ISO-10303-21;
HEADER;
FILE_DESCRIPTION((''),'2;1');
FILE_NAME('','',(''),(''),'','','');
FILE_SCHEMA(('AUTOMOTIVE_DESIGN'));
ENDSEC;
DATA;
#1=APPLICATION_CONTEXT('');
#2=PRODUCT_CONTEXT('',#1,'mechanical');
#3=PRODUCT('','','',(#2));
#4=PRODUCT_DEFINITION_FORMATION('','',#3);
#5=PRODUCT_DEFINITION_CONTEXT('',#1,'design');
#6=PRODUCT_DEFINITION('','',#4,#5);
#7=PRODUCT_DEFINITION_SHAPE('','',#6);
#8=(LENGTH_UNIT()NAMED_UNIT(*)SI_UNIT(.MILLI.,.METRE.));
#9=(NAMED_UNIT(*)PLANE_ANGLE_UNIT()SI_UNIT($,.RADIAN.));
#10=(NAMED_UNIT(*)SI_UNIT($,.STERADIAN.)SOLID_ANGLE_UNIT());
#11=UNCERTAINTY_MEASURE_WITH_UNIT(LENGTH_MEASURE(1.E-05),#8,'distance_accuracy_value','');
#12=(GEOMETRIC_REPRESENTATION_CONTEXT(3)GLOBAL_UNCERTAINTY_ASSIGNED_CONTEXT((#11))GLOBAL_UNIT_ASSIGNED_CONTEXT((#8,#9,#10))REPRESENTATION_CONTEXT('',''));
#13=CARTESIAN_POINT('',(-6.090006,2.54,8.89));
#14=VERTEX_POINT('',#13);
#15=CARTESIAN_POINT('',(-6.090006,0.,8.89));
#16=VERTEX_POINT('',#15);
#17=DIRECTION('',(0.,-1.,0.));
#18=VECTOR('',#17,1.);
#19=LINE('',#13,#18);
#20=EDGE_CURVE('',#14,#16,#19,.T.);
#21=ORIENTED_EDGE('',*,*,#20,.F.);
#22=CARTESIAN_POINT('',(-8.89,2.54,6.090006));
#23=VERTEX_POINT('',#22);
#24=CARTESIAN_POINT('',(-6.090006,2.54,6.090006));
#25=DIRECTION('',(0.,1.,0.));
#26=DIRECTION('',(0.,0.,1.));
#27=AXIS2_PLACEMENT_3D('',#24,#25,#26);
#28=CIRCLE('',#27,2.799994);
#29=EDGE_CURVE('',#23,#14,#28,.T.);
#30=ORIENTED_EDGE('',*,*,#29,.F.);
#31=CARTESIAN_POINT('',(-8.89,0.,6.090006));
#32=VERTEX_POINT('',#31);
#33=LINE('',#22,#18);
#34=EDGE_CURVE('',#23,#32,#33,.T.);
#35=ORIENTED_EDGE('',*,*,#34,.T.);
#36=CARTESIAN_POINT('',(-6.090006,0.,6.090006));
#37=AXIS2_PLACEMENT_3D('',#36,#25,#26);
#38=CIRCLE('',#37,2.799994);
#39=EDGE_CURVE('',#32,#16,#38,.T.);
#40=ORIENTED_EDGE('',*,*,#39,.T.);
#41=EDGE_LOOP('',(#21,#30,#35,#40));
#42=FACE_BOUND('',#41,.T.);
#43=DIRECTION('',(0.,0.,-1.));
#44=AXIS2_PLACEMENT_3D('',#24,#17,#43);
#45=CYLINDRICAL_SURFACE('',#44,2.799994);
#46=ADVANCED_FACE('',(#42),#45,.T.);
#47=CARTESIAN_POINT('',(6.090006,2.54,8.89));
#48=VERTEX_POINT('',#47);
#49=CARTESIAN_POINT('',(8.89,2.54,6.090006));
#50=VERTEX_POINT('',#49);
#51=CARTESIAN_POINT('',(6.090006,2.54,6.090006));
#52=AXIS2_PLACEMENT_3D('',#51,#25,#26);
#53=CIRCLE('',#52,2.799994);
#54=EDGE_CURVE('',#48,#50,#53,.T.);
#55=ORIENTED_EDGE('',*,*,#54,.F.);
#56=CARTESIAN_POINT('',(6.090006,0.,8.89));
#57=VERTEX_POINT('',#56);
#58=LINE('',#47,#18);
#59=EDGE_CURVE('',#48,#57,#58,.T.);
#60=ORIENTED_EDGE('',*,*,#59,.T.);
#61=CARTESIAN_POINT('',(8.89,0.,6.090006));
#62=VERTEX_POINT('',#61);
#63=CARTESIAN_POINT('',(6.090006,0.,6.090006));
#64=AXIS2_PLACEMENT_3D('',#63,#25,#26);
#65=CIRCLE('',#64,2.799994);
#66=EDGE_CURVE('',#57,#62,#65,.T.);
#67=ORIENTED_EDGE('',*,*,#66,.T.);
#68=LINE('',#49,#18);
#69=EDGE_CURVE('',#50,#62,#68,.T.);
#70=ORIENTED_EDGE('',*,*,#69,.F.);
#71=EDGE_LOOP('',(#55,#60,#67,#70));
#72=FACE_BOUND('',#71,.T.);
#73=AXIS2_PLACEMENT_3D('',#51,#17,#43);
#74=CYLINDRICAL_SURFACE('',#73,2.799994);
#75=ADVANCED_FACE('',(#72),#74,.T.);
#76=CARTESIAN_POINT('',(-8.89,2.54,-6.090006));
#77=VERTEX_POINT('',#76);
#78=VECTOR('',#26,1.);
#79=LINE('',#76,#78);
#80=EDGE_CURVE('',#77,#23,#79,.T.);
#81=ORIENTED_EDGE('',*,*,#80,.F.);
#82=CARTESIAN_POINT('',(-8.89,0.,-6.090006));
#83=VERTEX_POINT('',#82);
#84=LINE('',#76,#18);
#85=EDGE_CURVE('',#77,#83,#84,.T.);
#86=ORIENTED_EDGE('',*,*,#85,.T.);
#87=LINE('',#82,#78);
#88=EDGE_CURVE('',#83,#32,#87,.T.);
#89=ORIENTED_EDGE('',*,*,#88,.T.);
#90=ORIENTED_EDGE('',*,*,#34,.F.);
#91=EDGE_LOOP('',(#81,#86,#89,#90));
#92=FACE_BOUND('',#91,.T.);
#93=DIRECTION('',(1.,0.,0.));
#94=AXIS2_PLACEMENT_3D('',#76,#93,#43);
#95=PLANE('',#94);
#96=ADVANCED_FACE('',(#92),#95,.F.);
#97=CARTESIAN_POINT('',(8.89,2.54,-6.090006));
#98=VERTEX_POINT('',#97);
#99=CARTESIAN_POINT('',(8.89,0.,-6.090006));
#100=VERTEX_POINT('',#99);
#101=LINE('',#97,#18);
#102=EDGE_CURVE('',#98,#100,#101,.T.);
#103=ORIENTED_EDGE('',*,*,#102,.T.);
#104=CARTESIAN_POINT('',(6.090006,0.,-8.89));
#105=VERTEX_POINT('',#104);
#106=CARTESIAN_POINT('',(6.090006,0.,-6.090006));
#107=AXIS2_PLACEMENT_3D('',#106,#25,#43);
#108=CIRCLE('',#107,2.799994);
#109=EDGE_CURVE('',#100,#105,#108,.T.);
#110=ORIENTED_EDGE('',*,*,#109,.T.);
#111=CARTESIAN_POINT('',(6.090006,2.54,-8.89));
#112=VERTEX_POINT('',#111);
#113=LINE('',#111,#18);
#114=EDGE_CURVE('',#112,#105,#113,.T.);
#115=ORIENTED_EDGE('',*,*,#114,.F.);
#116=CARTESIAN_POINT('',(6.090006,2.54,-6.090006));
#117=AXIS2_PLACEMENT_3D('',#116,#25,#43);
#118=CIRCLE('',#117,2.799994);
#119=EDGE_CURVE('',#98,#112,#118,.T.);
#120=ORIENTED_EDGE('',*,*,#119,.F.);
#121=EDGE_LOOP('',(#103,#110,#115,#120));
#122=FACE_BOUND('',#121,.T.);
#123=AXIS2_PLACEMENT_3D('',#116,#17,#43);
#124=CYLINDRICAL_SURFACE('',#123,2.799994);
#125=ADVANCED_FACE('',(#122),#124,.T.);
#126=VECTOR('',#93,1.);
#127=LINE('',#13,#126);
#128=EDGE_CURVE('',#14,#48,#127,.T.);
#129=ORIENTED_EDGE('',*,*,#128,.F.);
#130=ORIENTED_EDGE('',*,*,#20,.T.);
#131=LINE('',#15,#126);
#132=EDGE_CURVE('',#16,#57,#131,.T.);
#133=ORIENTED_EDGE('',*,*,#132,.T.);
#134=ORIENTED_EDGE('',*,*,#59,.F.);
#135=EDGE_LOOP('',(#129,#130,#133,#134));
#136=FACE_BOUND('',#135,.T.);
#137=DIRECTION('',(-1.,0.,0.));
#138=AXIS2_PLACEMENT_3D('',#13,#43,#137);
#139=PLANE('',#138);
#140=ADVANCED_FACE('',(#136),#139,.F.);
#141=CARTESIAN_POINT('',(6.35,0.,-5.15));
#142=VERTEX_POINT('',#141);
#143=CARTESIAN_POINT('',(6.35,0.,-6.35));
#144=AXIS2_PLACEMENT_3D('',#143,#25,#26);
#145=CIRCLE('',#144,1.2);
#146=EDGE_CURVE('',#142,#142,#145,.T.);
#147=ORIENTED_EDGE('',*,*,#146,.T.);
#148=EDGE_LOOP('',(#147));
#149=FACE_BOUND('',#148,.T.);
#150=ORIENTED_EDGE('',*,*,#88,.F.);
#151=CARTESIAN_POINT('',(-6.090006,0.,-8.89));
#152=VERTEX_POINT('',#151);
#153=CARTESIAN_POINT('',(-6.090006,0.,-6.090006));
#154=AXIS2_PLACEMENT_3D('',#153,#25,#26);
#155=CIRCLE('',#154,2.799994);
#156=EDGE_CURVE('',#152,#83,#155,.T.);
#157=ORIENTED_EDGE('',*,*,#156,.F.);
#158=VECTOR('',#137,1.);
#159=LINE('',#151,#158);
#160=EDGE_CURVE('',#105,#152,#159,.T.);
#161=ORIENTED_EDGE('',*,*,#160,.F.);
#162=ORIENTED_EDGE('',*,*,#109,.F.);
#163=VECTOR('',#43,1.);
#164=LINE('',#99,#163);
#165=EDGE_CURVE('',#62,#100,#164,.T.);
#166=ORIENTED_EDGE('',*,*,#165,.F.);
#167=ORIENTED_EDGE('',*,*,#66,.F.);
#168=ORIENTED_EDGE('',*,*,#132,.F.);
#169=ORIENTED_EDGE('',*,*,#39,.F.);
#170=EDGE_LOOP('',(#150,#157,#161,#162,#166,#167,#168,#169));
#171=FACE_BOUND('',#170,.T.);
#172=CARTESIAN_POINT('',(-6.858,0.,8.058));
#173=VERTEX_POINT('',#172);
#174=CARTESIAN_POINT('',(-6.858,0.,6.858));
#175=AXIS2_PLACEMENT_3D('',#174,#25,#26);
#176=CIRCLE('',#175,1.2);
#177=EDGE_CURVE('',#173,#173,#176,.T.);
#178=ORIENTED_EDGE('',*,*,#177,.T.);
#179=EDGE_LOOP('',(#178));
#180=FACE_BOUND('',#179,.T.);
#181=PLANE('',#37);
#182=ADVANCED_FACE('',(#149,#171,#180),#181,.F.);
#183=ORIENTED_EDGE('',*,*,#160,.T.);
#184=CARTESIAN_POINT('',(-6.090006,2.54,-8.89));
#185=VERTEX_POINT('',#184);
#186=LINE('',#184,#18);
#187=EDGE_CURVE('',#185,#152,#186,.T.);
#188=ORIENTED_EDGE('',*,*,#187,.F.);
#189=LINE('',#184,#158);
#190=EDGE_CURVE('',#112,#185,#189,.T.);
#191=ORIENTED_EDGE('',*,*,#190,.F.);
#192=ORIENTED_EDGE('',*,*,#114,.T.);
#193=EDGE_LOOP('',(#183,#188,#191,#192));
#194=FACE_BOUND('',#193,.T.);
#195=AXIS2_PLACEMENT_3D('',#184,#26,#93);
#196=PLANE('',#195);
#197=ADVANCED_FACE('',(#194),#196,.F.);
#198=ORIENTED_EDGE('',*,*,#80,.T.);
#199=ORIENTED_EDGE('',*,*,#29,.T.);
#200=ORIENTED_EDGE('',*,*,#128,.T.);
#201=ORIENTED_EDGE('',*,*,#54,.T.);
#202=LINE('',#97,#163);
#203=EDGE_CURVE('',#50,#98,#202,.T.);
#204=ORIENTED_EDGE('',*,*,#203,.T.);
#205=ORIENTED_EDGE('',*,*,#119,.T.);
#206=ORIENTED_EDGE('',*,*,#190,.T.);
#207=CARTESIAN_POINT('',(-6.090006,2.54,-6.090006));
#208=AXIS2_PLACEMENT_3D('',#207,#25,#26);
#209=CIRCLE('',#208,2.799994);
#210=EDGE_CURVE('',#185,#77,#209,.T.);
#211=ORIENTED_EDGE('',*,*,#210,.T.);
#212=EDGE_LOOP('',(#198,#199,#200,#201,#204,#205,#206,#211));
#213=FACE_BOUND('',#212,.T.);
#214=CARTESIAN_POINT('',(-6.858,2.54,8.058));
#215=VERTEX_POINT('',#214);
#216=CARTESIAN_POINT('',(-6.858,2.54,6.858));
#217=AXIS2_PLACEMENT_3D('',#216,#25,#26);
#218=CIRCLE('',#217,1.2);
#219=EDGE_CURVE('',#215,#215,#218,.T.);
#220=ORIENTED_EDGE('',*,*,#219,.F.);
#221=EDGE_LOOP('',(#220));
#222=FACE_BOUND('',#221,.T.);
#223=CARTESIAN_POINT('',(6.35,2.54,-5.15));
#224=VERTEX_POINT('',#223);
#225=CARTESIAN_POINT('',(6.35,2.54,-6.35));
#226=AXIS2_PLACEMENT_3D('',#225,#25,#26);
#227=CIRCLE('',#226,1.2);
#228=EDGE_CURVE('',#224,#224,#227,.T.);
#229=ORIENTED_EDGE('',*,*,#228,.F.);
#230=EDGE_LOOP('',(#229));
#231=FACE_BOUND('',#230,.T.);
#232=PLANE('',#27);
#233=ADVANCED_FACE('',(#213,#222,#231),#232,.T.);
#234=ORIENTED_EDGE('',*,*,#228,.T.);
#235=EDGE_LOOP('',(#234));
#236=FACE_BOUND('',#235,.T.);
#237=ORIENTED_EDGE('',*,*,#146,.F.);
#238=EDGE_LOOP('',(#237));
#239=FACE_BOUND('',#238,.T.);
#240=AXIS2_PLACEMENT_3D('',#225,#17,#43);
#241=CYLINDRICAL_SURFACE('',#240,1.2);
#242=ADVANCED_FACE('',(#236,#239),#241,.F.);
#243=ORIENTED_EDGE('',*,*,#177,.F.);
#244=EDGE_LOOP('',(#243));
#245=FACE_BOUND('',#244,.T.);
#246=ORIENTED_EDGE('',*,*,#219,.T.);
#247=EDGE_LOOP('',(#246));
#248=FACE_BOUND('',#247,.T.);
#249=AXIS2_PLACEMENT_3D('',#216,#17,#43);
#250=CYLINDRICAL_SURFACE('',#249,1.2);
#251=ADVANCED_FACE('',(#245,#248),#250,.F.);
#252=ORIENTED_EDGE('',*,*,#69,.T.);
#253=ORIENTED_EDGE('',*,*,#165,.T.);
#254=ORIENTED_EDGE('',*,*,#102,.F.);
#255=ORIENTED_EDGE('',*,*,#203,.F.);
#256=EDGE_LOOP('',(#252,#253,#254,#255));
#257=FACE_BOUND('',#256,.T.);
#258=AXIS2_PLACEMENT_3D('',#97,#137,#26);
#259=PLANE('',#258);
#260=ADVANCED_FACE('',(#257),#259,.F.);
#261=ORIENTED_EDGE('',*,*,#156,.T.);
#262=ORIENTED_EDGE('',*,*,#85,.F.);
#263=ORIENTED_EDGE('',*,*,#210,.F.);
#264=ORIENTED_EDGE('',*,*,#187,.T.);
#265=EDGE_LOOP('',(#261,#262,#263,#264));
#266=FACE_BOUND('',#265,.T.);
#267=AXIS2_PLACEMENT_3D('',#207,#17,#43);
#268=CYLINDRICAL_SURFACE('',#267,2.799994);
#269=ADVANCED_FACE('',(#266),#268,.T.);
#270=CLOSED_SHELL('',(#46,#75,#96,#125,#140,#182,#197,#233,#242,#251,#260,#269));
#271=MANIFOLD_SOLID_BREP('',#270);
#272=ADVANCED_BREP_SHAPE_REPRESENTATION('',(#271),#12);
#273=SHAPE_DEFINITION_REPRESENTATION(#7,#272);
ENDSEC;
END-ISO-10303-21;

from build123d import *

# Parameters (mm, degrees)
SKETCH1_R           = 1.2
BOSS_EXTRUDE1_DEPTH = 2.54


with BuildPart() as part:
    # Sketch1 → Boss-Extrude1 (new body)
    with BuildSketch(Plane(origin=(0, 0, 0), x_dir=(1, 0, 0), z_dir=(0, 1, 0))):
        with BuildLine():
            Line((-6.0900056, 8.89), (6.0900056, 8.89))
            ThreePointArc((6.0900056, 8.89), (8.069900628, 8.069900628), (8.89, 6.0900056))
            Line((8.89, 6.0900056), (8.89, -6.0900056))
            ThreePointArc((8.89, -6.0900056), (8.069900628, -8.069900628), (6.0900056, -8.89))
            Line((6.0900056, -8.89), (-6.0900056, -8.89))
            ThreePointArc((-6.0900056, -8.89), (-8.069900628, -8.069900628), (-8.89, -6.0900056))
            Line((-8.89, -6.0900056), (-8.89, 6.0900056))
            ThreePointArc((-8.89, 6.0900056), (-8.069900628, 8.069900628), (-6.0900056, 8.89))
        make_face()
        with Locations((6.35, 6.35)):
            Circle(SKETCH1_R, mode=Mode.SUBTRACT)
        with Locations((-6.858, -6.858)):
            Circle(SKETCH1_R, mode=Mode.SUBTRACT)
    extrude(amount=BOSS_EXTRUDE1_DEPTH)


solid = part.part
